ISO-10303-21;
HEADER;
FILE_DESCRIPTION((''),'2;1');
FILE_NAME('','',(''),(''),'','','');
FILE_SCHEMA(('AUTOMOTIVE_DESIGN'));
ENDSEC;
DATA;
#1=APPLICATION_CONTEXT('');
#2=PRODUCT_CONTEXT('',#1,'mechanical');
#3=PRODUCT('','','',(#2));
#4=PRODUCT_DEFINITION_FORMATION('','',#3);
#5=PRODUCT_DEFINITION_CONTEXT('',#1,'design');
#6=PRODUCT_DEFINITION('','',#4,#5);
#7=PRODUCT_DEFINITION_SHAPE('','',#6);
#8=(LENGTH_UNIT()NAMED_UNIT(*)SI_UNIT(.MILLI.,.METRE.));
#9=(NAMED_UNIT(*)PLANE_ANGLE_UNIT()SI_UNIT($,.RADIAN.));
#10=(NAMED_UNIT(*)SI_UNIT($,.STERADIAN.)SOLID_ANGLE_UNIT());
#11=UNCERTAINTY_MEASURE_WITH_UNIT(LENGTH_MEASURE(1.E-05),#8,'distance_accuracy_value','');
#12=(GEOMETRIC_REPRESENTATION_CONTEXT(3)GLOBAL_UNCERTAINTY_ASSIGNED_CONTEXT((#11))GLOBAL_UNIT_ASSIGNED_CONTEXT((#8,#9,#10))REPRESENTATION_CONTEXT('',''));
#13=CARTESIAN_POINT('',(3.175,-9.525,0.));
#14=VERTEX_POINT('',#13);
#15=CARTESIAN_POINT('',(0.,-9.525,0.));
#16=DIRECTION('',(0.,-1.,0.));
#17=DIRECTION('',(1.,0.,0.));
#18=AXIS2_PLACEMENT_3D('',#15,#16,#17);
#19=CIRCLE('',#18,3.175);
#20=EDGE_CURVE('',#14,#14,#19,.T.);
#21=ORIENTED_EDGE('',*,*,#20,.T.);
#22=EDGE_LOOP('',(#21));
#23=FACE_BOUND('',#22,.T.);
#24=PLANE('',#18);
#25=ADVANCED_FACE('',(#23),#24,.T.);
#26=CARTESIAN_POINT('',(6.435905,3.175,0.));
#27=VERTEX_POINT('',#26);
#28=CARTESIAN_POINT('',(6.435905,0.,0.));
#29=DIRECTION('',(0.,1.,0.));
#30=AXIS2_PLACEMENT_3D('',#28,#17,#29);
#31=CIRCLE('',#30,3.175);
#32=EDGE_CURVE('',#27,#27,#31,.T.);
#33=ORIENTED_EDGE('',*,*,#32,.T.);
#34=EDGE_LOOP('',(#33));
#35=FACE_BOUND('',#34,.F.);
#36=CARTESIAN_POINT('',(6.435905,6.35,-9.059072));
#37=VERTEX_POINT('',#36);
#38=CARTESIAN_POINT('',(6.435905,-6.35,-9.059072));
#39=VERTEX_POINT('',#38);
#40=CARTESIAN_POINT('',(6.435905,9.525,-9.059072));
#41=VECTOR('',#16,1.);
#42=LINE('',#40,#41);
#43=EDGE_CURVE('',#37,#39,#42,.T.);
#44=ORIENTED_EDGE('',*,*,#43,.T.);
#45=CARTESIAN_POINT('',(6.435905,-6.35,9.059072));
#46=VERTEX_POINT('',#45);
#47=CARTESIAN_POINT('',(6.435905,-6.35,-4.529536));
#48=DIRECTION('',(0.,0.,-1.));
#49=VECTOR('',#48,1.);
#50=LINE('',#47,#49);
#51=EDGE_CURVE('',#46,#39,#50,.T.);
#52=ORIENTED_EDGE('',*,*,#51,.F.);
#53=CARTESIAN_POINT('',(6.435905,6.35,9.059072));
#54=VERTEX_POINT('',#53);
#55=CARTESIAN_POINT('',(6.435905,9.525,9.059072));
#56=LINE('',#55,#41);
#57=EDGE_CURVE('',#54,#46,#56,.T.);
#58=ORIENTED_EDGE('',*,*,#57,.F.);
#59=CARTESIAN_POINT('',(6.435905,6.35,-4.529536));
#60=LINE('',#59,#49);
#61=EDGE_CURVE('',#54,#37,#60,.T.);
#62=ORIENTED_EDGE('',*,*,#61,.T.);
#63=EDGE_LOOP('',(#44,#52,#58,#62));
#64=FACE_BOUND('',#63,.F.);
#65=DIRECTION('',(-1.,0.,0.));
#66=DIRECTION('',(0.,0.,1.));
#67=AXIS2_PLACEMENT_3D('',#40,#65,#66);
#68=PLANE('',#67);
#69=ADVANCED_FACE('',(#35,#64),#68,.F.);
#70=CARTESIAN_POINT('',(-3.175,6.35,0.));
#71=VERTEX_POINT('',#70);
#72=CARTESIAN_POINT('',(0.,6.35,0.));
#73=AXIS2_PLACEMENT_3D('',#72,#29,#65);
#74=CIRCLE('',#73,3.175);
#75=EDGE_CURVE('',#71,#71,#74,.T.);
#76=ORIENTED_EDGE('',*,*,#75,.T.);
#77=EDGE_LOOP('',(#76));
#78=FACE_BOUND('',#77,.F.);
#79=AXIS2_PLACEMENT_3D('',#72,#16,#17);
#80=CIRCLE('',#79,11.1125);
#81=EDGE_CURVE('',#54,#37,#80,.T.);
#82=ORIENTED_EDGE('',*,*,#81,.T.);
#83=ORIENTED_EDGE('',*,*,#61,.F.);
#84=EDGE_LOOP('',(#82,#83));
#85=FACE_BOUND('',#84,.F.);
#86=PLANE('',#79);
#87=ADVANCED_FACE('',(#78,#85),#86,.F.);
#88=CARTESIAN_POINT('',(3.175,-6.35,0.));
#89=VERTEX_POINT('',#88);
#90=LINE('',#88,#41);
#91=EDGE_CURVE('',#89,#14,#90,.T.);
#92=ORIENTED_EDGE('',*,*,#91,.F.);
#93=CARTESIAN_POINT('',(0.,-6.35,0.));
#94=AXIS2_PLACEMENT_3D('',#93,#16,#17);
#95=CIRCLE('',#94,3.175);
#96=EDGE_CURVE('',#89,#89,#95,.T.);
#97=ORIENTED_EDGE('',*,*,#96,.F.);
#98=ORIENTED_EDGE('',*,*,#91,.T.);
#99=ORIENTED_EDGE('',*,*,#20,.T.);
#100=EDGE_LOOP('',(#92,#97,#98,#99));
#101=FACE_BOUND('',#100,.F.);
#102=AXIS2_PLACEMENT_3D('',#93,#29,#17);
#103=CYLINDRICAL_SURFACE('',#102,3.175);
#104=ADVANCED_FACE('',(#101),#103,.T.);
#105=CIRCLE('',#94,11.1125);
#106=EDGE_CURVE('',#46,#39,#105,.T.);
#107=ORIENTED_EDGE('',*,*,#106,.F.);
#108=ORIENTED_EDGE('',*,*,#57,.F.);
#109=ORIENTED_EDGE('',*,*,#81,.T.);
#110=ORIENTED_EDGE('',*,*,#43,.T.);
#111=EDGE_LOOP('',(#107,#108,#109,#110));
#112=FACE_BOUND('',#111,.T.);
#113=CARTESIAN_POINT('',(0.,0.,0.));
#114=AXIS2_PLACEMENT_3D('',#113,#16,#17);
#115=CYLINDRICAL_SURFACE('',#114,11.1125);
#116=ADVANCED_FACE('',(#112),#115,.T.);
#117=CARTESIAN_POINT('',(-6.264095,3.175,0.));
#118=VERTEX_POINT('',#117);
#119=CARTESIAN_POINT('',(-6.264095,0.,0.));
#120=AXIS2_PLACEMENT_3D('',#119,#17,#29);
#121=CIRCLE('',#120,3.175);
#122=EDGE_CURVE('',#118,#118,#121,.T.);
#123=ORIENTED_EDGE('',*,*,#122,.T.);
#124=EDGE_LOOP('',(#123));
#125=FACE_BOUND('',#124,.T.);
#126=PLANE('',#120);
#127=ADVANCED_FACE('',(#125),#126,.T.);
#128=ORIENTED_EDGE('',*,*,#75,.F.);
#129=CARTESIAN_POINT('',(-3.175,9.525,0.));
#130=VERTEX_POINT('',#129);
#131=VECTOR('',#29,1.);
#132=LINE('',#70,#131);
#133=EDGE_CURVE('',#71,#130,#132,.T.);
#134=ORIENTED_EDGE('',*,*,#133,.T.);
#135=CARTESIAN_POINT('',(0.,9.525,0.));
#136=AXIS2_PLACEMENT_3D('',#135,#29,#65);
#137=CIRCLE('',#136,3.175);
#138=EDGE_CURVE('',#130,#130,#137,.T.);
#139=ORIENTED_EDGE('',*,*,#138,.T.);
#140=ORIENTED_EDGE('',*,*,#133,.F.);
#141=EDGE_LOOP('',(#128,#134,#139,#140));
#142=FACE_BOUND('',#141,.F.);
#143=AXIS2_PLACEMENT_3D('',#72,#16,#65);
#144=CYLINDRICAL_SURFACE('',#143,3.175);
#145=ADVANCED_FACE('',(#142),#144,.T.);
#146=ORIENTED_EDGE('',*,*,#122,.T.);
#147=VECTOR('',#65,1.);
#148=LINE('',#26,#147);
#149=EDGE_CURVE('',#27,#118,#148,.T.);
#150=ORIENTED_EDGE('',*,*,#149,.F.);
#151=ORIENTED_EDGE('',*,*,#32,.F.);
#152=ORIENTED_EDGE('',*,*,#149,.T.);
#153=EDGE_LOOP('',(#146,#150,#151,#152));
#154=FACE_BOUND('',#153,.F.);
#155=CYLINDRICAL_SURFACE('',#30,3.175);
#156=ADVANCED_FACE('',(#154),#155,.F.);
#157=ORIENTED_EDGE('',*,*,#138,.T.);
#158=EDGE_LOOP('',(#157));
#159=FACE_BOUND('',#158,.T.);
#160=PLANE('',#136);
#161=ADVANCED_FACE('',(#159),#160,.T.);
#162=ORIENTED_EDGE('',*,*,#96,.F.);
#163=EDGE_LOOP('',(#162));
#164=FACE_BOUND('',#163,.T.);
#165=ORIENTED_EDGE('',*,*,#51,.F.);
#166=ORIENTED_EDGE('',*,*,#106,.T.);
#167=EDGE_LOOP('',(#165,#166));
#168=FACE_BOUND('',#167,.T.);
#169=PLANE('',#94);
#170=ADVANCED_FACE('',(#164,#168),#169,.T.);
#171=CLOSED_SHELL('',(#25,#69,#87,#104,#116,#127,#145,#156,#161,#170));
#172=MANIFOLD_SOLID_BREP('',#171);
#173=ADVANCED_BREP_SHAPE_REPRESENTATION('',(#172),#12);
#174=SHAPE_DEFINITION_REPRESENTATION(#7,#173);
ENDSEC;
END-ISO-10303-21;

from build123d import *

# Parameters (mm, degrees)
F0_R     = 11.1125
F1_DEPTH = 6.35
F2_R     = 3.175
F3_DEPTH = 3.175
F4_R     = 3.175
F5_DEPTH = 3.175
F7_DEPTH = 25.4
F8_R     = 3.175
F9_DEPTH = 12.7


with BuildPart() as f1:
    # F0 (on Front) → F1 (new body, symmetric)
    with BuildSketch(Plane.XZ):
        Circle(F0_R)
    extrude(amount=F1_DEPTH, both=True)

    # F2 (on face) → F3 (join)
    with BuildSketch(Plane.XZ.offset(6.35)):
        Circle(F2_R)
    extrude(amount=F3_DEPTH)

    # F4 (on face) → F5 (join)
    with BuildSketch(Plane(origin=(0, 6.35, 0), x_dir=(-1, 0, 0), z_dir=(0, 1, 0))):
        Circle(F4_R)
    extrude(amount=F5_DEPTH)

    # F6 (on face) → F7 (cut)
    with BuildSketch(Plane(origin=(0, 9.525, 0), x_dir=(-1, 0, 0), z_dir=(0, 1, 0))):
        with BuildLine():
            ThreePointArc((-6.4359051175, 9.0590717829), (-11.1125, 0), (-6.4359051175, -9.0590717829))
            Line((-6.4359051175, -9.0590717829), (-6.4359051175, 9.0590717829))
        make_face()
    extrude(amount=-F7_DEPTH, mode=Mode.SUBTRACT)

    # F8 (on face) → F9 (cut)
    with BuildSketch(Plane.YZ.offset(6.4359051175)):
        Circle(F8_R)
    extrude(amount=-F9_DEPTH, mode=Mode.SUBTRACT)


solid = f1.part
